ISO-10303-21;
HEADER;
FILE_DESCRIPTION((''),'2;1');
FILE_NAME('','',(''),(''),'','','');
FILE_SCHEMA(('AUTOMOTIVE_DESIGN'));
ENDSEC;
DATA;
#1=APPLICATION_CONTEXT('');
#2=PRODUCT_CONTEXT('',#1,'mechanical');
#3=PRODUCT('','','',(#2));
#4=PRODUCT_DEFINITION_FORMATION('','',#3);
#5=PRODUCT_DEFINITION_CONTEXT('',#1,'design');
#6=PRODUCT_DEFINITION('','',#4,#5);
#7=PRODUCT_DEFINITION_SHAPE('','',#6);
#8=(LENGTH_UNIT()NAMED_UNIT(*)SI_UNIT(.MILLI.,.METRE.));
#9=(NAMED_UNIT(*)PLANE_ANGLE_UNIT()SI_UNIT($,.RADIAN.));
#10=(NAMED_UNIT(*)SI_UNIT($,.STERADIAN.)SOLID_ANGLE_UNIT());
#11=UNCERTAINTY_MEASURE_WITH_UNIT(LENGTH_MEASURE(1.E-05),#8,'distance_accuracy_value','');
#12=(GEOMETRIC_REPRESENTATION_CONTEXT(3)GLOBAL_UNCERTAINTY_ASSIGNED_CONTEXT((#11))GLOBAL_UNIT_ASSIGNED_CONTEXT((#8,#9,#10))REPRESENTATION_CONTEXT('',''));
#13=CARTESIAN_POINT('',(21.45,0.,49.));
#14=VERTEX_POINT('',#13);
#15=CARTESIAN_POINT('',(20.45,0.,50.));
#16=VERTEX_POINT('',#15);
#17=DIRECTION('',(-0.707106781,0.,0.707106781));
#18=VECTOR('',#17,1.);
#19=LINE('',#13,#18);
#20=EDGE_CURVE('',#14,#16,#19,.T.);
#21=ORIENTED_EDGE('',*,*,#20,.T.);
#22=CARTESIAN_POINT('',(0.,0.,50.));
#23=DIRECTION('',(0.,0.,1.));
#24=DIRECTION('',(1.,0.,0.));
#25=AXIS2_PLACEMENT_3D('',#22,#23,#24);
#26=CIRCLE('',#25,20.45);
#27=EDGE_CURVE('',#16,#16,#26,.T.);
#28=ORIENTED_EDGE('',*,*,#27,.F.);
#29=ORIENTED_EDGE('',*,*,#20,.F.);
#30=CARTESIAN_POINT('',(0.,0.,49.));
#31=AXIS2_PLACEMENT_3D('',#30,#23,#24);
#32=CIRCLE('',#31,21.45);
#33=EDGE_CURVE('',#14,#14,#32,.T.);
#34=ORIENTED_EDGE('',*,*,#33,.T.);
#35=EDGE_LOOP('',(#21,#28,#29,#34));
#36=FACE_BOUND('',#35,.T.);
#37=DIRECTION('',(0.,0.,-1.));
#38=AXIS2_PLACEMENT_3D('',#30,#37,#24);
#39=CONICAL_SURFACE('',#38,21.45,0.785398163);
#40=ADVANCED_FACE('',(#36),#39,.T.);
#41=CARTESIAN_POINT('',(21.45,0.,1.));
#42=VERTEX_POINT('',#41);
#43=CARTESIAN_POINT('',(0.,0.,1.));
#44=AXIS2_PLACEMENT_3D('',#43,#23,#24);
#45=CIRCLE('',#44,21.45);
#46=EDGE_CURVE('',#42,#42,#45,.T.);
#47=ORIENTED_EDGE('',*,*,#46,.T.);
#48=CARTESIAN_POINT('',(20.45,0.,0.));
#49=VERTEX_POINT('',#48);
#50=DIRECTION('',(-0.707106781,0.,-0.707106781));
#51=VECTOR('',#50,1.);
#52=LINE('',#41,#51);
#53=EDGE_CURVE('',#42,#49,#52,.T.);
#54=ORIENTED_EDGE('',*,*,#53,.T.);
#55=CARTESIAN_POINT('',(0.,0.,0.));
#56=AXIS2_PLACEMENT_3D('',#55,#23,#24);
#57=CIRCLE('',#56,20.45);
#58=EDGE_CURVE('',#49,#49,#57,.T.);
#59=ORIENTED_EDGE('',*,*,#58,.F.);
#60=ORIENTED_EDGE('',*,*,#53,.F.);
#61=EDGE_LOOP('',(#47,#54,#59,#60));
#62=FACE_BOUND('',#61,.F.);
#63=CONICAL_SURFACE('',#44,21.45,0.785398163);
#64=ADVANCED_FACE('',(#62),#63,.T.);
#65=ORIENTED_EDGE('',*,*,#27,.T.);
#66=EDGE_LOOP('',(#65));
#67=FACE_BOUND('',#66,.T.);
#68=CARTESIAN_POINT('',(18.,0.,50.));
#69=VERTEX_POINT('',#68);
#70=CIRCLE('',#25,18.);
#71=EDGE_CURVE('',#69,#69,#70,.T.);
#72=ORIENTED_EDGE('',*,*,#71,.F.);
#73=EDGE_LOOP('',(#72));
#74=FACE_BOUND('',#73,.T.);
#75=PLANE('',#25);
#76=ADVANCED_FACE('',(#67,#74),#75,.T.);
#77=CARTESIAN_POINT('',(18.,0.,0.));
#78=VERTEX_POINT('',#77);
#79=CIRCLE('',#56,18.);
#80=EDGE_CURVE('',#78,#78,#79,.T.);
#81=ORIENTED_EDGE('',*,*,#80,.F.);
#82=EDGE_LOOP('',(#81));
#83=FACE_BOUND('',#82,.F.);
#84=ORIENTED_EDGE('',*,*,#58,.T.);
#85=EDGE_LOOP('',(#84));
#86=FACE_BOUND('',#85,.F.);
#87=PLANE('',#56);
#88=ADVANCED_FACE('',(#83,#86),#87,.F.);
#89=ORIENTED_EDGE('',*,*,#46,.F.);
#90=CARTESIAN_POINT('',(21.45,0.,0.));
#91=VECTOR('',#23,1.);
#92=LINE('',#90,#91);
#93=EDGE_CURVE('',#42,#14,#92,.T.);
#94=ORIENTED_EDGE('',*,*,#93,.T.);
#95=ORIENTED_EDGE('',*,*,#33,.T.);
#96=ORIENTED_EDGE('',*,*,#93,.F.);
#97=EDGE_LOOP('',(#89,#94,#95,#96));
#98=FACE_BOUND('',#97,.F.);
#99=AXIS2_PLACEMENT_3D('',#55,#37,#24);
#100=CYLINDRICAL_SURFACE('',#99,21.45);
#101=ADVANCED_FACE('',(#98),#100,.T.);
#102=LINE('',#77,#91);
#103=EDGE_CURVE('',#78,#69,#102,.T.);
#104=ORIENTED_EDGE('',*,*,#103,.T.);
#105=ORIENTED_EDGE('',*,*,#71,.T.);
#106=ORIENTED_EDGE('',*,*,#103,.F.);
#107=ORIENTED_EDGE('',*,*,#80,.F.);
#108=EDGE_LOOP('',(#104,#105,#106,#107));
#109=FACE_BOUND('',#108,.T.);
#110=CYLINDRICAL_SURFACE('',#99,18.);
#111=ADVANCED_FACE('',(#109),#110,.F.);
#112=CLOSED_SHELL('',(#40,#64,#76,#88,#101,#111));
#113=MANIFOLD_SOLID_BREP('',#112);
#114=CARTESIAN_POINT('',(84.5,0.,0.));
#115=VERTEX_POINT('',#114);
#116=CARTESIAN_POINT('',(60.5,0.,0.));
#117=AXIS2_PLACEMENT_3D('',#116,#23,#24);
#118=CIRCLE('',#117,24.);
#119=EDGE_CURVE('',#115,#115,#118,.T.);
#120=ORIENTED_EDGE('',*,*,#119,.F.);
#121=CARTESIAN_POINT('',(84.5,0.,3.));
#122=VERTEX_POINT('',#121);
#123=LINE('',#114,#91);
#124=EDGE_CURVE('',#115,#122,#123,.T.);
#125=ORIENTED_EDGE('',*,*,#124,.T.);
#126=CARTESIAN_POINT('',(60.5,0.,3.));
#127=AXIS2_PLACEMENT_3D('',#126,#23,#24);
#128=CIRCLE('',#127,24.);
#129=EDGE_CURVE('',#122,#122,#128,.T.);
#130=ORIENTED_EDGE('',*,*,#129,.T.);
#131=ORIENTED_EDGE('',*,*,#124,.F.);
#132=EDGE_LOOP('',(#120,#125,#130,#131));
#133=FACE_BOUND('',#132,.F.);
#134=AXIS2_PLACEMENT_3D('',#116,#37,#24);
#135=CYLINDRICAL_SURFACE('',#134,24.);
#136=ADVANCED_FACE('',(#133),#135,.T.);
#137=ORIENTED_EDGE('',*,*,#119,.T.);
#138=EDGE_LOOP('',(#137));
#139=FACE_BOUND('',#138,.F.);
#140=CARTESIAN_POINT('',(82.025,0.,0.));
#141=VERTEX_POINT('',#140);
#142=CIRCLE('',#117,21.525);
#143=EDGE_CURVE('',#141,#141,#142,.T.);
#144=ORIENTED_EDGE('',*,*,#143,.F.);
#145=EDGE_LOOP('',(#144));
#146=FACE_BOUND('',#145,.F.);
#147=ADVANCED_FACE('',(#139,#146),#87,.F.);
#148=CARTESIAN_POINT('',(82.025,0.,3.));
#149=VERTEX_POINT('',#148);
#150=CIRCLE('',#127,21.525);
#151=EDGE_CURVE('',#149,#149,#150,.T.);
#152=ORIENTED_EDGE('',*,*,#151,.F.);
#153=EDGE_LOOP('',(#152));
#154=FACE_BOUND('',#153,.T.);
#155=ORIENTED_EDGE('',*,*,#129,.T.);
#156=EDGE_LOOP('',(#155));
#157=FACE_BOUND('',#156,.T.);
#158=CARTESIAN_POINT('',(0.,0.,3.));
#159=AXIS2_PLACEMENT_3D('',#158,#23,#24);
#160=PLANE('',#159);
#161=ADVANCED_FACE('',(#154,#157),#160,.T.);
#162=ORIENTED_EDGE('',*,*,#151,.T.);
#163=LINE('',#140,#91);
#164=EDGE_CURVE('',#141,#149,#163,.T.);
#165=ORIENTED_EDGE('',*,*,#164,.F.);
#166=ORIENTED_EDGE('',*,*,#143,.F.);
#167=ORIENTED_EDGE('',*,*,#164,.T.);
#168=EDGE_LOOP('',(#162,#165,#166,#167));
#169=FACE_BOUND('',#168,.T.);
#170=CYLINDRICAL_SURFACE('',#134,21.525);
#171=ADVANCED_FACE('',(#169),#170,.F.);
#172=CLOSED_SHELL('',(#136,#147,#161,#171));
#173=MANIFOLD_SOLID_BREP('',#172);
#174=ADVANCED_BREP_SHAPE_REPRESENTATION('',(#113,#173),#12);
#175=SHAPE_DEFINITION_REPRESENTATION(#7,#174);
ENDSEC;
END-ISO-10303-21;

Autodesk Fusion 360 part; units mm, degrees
sketch "Skizze14" plane through (0, 0, 0) normal (0, 0, 1) x (1, 0, 0)
  circle A0 centre (0, 0) radius 18
  circle A1 centre (0, 0) radius 21.45
extrude "Extrusion14" add sketch "Skizze14" along normal blind 50 makes body 1
sketch "Skizze15" plane through (0, 0, 0) normal (0, 0, 1) x (1, 0, 0)
  circle A0 centre (60.5, 0) radius 21.525
  circle A1 centre (60.5, 0) radius 24
extrude "Extrusion15" add sketch "Skizze15" along normal blind 3 separate body makes body 2
chamfer "Fase8" distance 1 angle 45 2 edges at (-19.9984, -7.7567, 50) (-19.9984, -7.7567, 0) on bodies 1
equation "outer_diameter = 43 mm" comment "Nenn-Außendurchmesser des Rohres (43mm)"
equation "outer_clearance = -0.10 mm" comment "Passungsspiel des Außendurchmessers (-0.10mm)"
equation "inner_diameter = 36 mm" comment "Innendurchmesser des Rohres (Kabelkanal)"
equation "pipe_length = 50 mm" comment "Gesamtlänge des Verbindungsrohres"
equation "ring_as_separate_body = 1" comment "Ring als separates Bauteil erzeugen (1 = Ja auf XY-Ebene, 0 = Nein/integriert)"
equation "ring_outer_diameter = 48 mm" comment "Außendurchmesser des Anschlagrings"
equation "ring_inner_diameter = 43 mm" comment "Nenn-Innendurchmesser des separaten Anschlagrings"
equation "ring_inner_clearance = 0.05 mm" comment "Passungsspiel/Aufmaß des Ring-Innendurchmessers (+0.05mm)"
equation "ring_length = 3 mm" comment "Länge des Anschlagrings"
equation "outer_chamfer = 1 mm" comment "Fase an den äußeren Endkanten des Rohres"
equation "d60 = pipe_length"
equation "d62 = ring_length"
equation "d64 = outer_chamfer"
